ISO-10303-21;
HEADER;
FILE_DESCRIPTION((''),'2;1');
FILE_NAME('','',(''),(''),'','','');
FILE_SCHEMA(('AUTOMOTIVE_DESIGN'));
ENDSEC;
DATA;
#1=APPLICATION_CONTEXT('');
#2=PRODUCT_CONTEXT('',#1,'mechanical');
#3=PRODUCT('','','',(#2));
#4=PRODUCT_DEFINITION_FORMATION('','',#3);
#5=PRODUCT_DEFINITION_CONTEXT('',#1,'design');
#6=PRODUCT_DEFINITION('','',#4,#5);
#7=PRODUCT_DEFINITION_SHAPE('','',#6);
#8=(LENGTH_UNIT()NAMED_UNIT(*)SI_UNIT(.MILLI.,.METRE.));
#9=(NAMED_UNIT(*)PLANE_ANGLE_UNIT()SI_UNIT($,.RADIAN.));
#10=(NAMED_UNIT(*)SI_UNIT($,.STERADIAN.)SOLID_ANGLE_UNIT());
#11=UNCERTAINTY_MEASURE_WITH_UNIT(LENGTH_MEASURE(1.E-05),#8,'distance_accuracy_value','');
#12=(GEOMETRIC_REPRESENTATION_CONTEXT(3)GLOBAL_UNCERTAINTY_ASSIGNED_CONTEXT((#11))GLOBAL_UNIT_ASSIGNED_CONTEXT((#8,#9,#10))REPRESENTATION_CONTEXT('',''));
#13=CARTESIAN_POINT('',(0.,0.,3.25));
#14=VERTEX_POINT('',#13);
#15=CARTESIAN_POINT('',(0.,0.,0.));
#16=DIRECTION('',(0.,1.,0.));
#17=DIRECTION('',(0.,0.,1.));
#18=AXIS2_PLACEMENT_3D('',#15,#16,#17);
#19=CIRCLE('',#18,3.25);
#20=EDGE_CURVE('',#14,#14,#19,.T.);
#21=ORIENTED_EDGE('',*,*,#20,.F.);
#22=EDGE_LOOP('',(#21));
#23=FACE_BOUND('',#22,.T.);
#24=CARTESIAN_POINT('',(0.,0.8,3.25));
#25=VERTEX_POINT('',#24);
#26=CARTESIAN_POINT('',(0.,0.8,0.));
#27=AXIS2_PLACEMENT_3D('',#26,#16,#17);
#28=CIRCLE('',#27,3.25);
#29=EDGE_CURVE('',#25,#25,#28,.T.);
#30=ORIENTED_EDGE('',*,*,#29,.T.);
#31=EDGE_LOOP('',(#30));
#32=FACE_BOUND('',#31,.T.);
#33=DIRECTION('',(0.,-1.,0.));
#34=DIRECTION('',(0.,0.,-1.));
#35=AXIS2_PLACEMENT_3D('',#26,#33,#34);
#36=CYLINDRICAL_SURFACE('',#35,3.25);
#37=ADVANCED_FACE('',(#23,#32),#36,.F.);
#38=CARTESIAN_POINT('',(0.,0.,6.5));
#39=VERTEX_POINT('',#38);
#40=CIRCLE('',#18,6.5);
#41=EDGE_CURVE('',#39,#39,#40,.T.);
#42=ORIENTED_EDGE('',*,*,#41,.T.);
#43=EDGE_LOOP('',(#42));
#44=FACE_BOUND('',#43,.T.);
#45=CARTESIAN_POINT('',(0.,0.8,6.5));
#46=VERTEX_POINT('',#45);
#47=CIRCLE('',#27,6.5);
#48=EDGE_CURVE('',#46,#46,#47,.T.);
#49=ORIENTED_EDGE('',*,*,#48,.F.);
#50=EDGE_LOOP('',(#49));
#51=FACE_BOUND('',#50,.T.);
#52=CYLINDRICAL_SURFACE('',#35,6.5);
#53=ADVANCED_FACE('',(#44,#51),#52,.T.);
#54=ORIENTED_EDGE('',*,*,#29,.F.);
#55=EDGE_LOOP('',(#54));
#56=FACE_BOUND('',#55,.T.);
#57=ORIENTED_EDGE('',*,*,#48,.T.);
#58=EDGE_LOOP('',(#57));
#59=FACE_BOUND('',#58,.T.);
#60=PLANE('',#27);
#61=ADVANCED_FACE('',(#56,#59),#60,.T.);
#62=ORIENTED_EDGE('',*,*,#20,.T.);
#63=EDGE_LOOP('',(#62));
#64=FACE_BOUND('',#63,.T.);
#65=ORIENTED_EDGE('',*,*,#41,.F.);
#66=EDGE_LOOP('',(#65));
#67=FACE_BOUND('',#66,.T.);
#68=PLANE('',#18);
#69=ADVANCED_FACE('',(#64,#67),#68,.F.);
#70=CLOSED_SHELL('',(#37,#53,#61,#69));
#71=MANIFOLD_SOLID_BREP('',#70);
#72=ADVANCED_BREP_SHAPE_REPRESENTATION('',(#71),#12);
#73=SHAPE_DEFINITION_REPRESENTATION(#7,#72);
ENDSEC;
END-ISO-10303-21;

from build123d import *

# Parameters (mm, degrees)
SKETCH1_R           = 6.5
SKETCH1_R_2         = 3.25
BOSS_EXTRUDE1_DEPTH = 0.8


with BuildPart() as part:
    # Sketch1 → Boss-Extrude1 (new body)
    with BuildSketch(Plane(origin=(0, 0, 0), x_dir=(1, 0, 0), z_dir=(0, 1, 0))):
        with Locations(Location((0, 0, 0), (0, 0, 270))):
            Circle(SKETCH1_R)
        with Locations(Location((0, 0, 0), (0, 0, 270))):
            Circle(SKETCH1_R_2, mode=Mode.SUBTRACT)
    extrude(amount=BOSS_EXTRUDE1_DEPTH)


solid = part.part
